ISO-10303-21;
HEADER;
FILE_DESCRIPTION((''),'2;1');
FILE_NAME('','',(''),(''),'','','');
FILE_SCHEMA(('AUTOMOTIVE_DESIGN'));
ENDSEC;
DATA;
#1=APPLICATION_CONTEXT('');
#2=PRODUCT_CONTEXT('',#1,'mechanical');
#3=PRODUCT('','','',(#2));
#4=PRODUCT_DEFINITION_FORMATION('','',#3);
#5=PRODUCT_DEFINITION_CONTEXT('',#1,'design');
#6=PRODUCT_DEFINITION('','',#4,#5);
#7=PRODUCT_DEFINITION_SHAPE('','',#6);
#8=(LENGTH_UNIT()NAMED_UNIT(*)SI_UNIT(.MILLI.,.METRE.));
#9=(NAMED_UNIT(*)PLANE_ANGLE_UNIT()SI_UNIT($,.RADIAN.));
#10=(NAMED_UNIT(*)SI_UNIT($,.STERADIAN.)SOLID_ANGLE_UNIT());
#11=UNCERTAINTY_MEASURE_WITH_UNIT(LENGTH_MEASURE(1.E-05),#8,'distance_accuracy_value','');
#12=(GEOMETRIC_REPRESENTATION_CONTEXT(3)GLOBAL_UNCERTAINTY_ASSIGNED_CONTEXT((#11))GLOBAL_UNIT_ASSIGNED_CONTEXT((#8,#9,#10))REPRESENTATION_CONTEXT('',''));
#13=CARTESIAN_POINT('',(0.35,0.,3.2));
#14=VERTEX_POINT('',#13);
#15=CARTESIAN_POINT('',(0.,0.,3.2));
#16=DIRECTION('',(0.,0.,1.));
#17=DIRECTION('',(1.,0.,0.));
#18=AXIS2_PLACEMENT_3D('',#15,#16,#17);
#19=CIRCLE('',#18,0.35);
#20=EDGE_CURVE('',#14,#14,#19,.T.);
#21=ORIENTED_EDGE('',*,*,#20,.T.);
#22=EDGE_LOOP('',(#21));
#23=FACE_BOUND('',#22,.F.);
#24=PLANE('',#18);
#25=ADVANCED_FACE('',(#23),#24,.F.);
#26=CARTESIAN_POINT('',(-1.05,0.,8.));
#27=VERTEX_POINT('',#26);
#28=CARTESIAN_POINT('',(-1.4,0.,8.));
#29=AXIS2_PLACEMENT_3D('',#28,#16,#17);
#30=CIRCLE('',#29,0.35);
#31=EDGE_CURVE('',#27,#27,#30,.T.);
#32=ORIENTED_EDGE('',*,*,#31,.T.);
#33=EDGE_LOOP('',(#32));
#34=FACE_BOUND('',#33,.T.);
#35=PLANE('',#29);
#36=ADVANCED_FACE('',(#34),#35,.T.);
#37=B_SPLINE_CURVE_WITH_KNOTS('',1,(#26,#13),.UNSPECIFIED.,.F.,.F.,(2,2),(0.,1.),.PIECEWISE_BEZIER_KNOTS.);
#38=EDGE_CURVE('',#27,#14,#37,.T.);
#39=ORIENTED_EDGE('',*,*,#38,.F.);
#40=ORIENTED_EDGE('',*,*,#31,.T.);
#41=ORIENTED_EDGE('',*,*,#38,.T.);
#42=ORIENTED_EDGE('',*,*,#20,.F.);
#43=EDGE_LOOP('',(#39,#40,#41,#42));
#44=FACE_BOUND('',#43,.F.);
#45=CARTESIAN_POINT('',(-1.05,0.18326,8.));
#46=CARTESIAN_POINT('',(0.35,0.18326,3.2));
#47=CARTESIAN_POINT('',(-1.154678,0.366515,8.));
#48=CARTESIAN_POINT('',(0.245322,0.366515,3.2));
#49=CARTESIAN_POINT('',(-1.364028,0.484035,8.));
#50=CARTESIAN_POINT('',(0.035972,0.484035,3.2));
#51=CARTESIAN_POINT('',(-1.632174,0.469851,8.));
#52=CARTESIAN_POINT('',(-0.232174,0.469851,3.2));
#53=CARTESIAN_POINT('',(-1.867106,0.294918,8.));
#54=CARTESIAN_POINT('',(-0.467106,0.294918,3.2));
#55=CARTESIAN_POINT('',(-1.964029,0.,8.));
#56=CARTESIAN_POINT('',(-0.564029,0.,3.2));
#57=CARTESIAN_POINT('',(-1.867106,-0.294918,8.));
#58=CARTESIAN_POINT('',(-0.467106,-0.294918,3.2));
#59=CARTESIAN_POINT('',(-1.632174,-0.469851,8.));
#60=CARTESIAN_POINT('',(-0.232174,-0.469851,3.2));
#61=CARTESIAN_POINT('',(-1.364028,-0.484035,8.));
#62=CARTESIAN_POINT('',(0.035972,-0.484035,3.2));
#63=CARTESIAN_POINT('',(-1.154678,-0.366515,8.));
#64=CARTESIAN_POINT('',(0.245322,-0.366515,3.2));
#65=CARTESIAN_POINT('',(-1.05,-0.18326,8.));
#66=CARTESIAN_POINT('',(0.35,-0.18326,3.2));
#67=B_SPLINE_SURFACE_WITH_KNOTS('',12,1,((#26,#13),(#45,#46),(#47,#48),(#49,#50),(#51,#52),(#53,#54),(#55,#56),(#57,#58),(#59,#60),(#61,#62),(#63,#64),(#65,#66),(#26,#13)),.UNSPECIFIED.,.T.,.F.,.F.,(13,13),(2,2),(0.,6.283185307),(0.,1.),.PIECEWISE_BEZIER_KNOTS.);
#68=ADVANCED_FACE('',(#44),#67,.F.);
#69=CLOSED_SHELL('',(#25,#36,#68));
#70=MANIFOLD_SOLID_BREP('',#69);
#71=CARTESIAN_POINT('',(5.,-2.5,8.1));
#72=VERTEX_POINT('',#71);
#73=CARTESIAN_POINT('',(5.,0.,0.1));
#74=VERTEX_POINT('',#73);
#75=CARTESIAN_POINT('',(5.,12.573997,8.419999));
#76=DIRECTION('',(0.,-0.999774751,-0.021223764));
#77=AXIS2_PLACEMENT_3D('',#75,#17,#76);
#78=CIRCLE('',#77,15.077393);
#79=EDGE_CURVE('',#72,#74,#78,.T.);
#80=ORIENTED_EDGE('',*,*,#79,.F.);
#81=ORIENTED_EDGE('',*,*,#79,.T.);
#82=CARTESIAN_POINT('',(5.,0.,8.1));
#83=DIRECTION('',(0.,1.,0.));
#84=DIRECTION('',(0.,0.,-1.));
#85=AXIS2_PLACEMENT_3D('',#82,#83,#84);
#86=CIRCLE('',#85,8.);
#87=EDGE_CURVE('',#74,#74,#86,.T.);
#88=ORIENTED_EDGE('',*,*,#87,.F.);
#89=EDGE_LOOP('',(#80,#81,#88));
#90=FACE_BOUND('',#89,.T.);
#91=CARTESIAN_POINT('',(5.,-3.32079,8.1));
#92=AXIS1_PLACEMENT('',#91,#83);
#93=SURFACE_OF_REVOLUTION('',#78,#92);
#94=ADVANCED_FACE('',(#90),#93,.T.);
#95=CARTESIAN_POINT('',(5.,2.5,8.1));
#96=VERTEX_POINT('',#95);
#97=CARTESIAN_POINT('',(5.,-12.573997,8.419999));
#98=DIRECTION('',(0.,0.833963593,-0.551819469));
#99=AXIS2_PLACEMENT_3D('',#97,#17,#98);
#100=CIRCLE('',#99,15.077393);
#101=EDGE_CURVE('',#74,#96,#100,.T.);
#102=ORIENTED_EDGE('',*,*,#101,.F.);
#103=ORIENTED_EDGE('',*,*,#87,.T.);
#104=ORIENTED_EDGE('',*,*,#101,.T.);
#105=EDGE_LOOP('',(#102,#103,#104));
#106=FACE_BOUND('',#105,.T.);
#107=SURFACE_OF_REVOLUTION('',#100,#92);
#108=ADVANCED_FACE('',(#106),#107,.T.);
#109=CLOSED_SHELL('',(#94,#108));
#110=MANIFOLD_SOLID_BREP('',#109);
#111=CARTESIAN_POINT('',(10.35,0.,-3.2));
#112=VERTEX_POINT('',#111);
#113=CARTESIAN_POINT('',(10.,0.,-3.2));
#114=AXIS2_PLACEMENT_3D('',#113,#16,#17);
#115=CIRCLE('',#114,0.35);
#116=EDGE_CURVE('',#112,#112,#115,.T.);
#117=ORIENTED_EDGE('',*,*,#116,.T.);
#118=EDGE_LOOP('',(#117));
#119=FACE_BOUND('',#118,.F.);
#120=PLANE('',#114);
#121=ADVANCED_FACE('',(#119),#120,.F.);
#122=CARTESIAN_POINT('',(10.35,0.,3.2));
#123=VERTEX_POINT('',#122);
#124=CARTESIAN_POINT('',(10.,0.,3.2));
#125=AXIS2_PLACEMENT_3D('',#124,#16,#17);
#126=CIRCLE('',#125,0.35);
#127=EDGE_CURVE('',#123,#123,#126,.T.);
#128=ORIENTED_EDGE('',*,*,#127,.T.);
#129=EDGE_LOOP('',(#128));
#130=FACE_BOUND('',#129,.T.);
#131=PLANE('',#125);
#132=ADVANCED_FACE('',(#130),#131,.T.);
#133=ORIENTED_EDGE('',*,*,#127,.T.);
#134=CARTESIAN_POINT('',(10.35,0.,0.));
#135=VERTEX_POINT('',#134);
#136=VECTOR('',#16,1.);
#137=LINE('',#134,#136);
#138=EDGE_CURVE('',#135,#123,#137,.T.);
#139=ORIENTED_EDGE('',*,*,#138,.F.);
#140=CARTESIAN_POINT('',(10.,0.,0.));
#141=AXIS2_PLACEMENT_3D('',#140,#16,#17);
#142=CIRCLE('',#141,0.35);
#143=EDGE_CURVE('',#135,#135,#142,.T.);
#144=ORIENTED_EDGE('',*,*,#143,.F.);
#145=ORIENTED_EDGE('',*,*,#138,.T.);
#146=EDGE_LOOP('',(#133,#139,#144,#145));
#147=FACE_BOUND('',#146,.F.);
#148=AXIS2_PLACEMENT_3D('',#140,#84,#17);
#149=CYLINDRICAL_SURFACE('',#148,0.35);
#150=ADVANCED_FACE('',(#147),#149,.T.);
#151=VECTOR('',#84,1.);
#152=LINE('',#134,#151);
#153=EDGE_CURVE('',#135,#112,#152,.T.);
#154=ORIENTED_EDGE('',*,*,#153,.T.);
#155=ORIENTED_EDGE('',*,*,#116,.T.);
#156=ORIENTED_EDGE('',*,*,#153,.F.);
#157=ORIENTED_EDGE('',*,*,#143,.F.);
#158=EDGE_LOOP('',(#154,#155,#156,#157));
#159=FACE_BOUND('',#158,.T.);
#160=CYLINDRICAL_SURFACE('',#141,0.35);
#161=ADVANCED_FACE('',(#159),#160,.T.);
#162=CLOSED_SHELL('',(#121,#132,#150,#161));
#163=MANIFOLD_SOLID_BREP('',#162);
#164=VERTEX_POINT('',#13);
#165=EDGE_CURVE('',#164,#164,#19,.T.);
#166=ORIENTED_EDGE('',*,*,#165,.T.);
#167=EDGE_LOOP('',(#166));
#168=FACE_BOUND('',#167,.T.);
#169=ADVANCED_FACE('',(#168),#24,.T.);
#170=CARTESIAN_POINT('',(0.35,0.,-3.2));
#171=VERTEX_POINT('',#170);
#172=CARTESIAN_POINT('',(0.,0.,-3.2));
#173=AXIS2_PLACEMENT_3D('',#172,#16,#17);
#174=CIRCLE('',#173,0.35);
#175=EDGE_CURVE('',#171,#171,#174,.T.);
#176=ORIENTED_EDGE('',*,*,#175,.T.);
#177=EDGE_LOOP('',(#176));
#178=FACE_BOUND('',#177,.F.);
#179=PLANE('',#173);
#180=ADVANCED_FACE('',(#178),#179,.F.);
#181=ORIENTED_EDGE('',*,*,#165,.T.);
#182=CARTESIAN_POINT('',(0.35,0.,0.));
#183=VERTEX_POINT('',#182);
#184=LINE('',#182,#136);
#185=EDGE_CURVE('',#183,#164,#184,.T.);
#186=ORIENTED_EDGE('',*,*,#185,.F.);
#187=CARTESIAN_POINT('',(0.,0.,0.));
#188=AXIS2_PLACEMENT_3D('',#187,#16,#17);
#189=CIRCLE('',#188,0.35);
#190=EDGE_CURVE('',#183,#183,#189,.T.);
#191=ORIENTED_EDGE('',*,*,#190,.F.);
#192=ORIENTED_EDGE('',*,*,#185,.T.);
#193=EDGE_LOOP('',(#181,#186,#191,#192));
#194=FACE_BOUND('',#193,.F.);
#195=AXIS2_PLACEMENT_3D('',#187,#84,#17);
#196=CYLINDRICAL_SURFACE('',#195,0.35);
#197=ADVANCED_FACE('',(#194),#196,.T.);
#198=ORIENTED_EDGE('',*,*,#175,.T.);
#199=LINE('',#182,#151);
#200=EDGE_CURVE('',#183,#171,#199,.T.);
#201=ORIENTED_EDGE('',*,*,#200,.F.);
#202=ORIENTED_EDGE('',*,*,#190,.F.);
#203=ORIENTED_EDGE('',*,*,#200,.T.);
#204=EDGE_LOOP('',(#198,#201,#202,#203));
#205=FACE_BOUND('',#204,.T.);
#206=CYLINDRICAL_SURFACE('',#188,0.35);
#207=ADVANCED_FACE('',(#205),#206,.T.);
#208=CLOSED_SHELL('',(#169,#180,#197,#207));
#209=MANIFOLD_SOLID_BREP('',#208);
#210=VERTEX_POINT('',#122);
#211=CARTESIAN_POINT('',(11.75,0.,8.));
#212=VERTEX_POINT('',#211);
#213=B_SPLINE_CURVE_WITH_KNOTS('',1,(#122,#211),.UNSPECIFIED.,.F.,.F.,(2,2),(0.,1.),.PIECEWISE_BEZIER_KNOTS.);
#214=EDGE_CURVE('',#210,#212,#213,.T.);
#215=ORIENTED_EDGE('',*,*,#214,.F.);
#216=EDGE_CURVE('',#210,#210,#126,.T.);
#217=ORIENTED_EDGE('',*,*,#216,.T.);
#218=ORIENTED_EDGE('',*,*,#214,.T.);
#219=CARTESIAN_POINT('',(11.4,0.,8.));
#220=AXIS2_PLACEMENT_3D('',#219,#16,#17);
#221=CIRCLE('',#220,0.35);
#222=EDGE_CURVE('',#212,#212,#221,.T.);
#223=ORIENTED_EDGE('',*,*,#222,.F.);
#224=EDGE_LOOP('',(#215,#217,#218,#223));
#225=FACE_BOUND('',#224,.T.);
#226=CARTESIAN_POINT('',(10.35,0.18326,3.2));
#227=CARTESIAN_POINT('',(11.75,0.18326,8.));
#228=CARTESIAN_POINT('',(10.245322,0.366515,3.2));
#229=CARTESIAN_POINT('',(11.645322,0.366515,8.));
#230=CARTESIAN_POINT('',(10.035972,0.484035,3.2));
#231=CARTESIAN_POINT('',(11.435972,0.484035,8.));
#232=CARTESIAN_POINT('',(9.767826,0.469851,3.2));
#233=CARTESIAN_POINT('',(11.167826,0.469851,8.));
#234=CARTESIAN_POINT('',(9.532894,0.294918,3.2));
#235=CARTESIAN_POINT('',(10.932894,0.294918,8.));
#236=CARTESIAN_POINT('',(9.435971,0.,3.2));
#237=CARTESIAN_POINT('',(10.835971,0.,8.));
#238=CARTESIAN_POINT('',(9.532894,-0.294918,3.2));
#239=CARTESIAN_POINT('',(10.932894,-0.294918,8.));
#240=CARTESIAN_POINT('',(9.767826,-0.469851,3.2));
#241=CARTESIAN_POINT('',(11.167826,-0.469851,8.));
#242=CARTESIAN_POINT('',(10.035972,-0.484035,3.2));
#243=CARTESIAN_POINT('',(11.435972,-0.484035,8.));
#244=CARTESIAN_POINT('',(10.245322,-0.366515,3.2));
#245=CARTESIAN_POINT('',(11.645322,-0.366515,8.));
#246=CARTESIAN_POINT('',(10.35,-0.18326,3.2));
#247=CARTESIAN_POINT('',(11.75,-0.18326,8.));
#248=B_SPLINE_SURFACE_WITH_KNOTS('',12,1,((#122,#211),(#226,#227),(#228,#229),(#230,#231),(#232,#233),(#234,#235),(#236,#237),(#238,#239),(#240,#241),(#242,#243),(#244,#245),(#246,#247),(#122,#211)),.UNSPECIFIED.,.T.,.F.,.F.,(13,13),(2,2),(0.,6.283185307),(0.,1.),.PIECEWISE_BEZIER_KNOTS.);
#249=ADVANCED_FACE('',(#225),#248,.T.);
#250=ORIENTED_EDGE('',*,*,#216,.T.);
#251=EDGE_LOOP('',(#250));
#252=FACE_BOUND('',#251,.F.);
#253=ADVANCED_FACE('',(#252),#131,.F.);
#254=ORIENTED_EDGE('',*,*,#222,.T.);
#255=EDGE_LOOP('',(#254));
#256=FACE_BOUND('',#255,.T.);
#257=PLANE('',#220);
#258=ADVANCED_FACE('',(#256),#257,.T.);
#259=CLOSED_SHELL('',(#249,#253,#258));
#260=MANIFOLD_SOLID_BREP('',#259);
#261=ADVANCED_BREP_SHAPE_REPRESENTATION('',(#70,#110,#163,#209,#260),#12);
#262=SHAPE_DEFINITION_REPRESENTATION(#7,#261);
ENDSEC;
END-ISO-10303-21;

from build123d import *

# Parameters (mm, degrees)
SKETCH001_R       = 0.35
PAD001_DEPTH      = 3.2
PAD001_DEPTH_BACK = -3.2
SKETCH002_R       = 0.35
SKETCH003_R       = 0.35
SKETCH004_R       = 0.35
SKETCH005_R       = 0.35


with BuildPart() as pad001:
    # Sketch001 → Pad001 (new body, two sides)
    with BuildSketch(Plane.XY) as pad001_sk:
        Circle(SKETCH001_R)
        with Locations((10, 0)):
            Circle(SKETCH001_R)
    extrude(amount=-PAD001_DEPTH)
    extrude(pad001_sk.sketch, amount=-PAD001_DEPTH_BACK)


with BuildPart() as revolution:
    # Sketch → Revolution (revolve)
    with BuildSketch(Plane.YZ.offset(5)):
        with BuildLine():
            Line((-2.5, 8.1), (2.5, 8.1))
            ThreePointArc((0, 0.1), (1.817073, 3.92279), (2.5, 8.1))
            ThreePointArc((-2.5, 8.1), (-1.817073, 3.92279), (0, 0.1))
        make_face()
    revolve(axis=Axis((5, -3.32079, 8.1), (0, 1, 0)))


with BuildPart() as loft_body:
    # Sketch002 → Loft section 0
    with BuildSketch(Plane.XY.offset(8)):
        with Locations((-1.4, 0)):
            Circle(SKETCH002_R)
    # Sketch003 → Loft section 1
    with BuildSketch(Plane.XY.offset(3.2)):
        Circle(SKETCH003_R)
    loft()


with BuildPart() as loft001:
    # Sketch004 → Loft001 section 0
    with BuildSketch(Plane.XY.offset(3.2)):
        with Locations((10, 0)):
            Circle(SKETCH004_R)
    # Sketch005 → Loft001 section 1
    with BuildSketch(Plane.XY.offset(8)):
        with Locations((11.4, 0)):
            Circle(SKETCH005_R)
    loft()


solid = Compound([pad001.part, revolution.part, loft_body.part, loft001.part])
